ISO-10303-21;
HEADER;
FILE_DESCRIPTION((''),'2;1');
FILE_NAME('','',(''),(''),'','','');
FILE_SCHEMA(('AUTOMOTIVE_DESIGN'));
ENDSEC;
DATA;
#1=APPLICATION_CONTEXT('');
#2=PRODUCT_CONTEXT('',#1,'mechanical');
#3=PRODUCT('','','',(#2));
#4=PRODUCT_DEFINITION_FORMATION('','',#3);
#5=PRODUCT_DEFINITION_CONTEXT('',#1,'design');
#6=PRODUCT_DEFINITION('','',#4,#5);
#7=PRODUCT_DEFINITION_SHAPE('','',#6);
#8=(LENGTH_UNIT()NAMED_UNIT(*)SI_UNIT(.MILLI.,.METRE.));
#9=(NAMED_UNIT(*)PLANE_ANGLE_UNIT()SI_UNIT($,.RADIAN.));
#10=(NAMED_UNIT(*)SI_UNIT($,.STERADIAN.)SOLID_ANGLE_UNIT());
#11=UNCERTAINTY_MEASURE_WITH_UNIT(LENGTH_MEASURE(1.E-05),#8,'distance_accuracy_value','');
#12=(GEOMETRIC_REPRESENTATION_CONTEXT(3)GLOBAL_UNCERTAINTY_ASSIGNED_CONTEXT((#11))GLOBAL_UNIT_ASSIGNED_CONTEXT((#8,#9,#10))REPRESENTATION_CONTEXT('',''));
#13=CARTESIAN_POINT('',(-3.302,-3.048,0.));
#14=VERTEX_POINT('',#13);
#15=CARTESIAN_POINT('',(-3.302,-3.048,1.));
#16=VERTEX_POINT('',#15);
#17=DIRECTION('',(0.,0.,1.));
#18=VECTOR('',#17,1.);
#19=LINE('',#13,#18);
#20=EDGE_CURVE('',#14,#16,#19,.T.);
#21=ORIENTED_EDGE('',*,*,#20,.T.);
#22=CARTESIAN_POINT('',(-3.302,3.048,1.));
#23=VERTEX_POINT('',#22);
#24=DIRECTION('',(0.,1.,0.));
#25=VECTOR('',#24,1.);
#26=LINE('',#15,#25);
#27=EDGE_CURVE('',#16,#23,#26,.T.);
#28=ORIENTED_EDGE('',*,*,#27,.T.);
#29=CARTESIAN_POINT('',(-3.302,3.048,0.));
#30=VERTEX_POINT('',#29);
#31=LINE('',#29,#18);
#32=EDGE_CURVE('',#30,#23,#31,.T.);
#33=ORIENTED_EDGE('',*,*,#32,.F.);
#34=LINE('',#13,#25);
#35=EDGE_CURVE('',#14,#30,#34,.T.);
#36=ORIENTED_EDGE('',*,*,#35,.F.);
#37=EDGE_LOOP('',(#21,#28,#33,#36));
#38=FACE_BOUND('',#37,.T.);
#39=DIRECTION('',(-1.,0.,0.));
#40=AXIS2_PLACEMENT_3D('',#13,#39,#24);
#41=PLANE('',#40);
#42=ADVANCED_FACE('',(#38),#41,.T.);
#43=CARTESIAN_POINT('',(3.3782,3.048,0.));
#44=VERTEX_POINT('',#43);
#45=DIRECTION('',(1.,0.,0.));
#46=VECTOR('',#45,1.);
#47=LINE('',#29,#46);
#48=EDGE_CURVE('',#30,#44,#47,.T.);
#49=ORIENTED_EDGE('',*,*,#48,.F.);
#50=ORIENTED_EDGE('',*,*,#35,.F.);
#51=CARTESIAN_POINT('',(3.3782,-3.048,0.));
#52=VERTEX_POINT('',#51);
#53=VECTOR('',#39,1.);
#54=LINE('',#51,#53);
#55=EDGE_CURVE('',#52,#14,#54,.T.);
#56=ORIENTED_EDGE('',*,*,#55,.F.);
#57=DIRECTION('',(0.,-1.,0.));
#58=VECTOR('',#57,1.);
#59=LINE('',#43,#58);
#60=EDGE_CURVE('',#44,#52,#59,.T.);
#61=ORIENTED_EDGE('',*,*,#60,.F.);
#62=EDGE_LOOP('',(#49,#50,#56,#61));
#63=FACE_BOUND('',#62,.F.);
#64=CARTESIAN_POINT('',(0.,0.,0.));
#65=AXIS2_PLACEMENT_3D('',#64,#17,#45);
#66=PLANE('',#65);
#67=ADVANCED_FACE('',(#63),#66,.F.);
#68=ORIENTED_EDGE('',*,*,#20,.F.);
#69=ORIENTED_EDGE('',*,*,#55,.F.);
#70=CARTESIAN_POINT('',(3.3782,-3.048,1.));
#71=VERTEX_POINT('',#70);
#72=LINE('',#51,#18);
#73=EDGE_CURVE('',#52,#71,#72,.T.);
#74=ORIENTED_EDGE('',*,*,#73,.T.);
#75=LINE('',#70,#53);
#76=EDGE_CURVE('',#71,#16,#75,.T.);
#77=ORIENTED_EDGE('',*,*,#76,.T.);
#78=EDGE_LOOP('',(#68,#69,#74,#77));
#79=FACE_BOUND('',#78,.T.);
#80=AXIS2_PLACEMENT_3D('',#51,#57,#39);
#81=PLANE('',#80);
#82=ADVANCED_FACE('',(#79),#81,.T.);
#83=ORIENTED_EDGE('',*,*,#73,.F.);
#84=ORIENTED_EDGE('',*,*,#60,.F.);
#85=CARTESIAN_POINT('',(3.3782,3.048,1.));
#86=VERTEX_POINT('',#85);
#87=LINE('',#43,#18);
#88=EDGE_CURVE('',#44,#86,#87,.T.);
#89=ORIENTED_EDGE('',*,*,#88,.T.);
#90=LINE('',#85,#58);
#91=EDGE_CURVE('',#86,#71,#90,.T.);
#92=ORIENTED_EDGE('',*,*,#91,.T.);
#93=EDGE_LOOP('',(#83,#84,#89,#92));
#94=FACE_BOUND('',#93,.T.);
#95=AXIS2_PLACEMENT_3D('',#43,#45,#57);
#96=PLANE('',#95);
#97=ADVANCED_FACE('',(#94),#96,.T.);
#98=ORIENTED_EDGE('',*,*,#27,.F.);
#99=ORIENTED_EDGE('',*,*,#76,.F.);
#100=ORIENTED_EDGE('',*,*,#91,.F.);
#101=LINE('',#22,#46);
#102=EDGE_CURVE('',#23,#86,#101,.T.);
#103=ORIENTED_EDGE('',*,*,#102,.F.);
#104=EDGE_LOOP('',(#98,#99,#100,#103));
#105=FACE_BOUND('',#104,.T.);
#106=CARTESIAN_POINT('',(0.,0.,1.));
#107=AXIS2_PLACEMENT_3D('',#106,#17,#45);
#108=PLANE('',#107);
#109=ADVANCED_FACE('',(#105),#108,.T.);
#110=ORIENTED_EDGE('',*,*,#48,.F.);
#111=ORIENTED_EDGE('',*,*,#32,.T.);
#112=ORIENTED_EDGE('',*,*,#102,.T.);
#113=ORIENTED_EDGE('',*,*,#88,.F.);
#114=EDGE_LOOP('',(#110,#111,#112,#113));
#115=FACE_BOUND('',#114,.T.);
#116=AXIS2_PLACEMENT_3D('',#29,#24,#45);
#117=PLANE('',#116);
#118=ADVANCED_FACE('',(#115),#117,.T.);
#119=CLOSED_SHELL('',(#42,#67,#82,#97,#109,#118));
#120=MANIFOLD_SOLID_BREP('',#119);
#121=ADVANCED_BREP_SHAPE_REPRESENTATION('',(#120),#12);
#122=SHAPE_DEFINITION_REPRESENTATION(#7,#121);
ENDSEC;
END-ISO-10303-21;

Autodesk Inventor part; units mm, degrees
ref_plane "YZ Plane" through (0, 0, 0) normal (1, 0, 0) x (0, 1, 0)
ref_plane "XZ Plane" through (0, 0, 0) normal (0, 1, 0) x (-1, 0, 0)
ref_plane "XY Plane" through (0, 0, 0) normal (0, 0, 1) x (1, 0, 0)
sketch "B3F-10XX, RESET_B3F-10XX_57" plane through (0, 0, 0) normal (0, 0, 1) x (1, 0, 0)
  line L0 (-3.302, 3.048) -> (3.3782, 3.048)
  line L1 (3.3782, 3.048) -> (3.3782, -3.048)
  line L2 (3.3782, -3.048) -> (-3.302, -3.048)
  line L3 (-3.302, -3.048) -> (-3.302, 3.048)
extrude "Extrusion1" add sketch "B3F-10XX, RESET_B3F-10XX_57" along normal blind 1
properties part number "RESET_B3F-10XX"
